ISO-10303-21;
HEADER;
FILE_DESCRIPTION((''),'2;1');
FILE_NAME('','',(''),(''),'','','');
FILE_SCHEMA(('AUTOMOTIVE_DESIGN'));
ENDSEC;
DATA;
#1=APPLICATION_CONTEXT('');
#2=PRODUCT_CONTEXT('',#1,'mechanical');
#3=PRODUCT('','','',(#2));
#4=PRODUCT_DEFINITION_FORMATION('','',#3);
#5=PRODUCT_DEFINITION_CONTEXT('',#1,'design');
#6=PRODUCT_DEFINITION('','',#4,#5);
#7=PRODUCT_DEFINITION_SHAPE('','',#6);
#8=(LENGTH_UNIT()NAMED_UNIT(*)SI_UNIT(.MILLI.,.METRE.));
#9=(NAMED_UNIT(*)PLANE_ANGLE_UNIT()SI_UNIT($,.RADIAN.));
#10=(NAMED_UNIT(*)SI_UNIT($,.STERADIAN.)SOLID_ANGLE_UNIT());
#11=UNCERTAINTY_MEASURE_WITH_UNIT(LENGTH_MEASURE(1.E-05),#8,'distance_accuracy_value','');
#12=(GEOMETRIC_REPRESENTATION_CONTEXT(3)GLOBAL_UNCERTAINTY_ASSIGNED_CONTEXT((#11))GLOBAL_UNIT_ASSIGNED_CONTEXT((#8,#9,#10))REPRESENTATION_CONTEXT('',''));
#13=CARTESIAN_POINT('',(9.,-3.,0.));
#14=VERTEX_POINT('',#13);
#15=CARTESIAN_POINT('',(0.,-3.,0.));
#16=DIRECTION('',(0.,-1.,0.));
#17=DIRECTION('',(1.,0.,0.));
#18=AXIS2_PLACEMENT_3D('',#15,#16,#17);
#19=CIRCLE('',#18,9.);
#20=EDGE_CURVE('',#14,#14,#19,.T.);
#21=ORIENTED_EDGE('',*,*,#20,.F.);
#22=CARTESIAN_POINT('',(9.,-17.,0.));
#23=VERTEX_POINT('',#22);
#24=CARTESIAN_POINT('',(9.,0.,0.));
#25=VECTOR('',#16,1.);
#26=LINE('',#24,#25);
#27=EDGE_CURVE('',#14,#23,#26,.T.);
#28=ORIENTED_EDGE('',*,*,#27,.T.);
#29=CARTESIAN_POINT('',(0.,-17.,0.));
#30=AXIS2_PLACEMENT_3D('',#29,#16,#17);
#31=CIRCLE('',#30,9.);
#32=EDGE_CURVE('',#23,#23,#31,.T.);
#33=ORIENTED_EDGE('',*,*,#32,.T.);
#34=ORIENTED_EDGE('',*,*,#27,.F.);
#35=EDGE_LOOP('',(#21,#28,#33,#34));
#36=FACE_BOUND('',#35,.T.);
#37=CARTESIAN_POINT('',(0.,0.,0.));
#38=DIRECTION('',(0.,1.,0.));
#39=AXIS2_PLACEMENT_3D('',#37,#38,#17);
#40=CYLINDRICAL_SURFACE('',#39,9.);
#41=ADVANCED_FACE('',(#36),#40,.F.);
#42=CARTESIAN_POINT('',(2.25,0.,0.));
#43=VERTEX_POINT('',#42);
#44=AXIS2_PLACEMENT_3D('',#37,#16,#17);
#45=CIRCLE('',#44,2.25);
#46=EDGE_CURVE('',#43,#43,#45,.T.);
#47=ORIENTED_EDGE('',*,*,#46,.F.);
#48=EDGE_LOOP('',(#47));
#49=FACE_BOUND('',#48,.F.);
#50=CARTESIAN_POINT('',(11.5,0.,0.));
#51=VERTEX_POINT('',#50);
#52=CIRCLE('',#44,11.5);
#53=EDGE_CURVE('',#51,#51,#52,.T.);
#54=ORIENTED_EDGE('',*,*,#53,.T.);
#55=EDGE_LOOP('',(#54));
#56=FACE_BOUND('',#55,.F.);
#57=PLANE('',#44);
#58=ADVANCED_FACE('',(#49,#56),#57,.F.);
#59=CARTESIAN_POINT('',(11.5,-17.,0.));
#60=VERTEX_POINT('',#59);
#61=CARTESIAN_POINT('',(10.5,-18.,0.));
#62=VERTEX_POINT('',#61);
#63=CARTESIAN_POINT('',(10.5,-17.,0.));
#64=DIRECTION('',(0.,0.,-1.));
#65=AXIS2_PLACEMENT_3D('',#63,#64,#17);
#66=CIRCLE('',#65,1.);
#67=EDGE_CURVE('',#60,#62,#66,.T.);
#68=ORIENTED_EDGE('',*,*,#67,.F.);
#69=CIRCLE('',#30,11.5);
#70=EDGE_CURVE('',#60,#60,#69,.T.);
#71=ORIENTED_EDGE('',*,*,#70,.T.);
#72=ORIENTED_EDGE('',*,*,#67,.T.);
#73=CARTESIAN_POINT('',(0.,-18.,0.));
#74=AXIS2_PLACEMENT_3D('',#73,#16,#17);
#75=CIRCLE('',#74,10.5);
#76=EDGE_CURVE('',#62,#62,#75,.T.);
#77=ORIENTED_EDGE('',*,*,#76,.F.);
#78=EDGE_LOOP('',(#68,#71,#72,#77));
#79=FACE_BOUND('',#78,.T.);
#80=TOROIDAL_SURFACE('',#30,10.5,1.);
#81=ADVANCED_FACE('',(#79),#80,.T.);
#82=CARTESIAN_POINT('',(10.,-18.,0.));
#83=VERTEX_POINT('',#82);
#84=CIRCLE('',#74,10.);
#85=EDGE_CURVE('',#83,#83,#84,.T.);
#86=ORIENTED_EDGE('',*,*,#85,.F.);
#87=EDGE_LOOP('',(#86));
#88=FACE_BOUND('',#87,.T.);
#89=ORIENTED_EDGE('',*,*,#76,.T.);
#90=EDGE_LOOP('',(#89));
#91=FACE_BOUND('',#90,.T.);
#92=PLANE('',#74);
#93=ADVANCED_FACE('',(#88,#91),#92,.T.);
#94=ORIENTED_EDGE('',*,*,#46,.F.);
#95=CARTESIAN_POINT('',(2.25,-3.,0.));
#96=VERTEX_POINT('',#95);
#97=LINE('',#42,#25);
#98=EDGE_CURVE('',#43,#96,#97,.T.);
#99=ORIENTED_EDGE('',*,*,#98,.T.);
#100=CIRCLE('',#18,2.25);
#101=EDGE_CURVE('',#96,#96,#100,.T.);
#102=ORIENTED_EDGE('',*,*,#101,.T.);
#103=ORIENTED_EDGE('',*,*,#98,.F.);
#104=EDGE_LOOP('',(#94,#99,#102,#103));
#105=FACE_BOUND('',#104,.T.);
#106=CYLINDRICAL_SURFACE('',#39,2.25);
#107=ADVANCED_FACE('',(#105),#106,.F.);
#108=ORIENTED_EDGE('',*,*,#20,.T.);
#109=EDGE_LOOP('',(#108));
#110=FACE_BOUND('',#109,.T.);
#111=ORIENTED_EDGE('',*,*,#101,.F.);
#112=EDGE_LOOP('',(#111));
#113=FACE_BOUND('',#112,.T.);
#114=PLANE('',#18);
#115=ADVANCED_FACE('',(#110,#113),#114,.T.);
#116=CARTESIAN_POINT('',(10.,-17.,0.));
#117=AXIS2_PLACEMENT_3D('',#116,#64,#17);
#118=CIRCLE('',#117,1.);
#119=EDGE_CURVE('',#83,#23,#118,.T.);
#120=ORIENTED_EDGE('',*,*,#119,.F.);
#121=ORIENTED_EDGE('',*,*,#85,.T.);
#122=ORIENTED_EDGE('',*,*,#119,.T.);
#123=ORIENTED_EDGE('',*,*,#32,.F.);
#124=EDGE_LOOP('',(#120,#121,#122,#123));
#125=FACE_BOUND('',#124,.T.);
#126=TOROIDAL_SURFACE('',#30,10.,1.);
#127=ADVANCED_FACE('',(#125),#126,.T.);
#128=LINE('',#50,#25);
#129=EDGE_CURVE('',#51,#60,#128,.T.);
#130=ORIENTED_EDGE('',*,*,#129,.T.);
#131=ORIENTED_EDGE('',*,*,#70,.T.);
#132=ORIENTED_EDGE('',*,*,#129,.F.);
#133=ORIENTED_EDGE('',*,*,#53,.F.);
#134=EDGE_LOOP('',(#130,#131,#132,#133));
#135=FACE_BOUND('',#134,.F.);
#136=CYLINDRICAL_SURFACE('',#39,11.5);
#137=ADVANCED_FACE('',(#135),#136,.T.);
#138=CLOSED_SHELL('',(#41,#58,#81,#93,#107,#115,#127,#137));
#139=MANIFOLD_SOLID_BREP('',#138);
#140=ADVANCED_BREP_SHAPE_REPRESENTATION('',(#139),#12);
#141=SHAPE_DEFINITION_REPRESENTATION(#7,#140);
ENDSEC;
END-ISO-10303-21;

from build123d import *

# Parameters (mm, degrees)
F0_R     = 9
F0_R_2   = 2.25
F1_DEPTH = 3
F0_R_3   = 11.5
F2_DEPTH = 18
F3_R     = 1


with BuildPart() as f1:
    # F0 (on Front) → F1 (new body)
    with BuildSketch(Plane.XZ):
        Circle(F0_R)
        Circle(F0_R_2, mode=Mode.SUBTRACT)
    extrude(amount=F1_DEPTH)

    # F0 (on Front) → F2 (join)
    with BuildSketch(Plane.XZ):
        Circle(F0_R_3)
        Circle(F0_R, mode=Mode.SUBTRACT)
    extrude(amount=F2_DEPTH)

    # F3
    f3_edges = [f1.edges().sort_by_distance(p)[0] for p in [
        (-9, -18, 0),
        (-11.5, -18, 0),
    ]]
    fillet(f3_edges, radius=F3_R)


solid = f1.part
